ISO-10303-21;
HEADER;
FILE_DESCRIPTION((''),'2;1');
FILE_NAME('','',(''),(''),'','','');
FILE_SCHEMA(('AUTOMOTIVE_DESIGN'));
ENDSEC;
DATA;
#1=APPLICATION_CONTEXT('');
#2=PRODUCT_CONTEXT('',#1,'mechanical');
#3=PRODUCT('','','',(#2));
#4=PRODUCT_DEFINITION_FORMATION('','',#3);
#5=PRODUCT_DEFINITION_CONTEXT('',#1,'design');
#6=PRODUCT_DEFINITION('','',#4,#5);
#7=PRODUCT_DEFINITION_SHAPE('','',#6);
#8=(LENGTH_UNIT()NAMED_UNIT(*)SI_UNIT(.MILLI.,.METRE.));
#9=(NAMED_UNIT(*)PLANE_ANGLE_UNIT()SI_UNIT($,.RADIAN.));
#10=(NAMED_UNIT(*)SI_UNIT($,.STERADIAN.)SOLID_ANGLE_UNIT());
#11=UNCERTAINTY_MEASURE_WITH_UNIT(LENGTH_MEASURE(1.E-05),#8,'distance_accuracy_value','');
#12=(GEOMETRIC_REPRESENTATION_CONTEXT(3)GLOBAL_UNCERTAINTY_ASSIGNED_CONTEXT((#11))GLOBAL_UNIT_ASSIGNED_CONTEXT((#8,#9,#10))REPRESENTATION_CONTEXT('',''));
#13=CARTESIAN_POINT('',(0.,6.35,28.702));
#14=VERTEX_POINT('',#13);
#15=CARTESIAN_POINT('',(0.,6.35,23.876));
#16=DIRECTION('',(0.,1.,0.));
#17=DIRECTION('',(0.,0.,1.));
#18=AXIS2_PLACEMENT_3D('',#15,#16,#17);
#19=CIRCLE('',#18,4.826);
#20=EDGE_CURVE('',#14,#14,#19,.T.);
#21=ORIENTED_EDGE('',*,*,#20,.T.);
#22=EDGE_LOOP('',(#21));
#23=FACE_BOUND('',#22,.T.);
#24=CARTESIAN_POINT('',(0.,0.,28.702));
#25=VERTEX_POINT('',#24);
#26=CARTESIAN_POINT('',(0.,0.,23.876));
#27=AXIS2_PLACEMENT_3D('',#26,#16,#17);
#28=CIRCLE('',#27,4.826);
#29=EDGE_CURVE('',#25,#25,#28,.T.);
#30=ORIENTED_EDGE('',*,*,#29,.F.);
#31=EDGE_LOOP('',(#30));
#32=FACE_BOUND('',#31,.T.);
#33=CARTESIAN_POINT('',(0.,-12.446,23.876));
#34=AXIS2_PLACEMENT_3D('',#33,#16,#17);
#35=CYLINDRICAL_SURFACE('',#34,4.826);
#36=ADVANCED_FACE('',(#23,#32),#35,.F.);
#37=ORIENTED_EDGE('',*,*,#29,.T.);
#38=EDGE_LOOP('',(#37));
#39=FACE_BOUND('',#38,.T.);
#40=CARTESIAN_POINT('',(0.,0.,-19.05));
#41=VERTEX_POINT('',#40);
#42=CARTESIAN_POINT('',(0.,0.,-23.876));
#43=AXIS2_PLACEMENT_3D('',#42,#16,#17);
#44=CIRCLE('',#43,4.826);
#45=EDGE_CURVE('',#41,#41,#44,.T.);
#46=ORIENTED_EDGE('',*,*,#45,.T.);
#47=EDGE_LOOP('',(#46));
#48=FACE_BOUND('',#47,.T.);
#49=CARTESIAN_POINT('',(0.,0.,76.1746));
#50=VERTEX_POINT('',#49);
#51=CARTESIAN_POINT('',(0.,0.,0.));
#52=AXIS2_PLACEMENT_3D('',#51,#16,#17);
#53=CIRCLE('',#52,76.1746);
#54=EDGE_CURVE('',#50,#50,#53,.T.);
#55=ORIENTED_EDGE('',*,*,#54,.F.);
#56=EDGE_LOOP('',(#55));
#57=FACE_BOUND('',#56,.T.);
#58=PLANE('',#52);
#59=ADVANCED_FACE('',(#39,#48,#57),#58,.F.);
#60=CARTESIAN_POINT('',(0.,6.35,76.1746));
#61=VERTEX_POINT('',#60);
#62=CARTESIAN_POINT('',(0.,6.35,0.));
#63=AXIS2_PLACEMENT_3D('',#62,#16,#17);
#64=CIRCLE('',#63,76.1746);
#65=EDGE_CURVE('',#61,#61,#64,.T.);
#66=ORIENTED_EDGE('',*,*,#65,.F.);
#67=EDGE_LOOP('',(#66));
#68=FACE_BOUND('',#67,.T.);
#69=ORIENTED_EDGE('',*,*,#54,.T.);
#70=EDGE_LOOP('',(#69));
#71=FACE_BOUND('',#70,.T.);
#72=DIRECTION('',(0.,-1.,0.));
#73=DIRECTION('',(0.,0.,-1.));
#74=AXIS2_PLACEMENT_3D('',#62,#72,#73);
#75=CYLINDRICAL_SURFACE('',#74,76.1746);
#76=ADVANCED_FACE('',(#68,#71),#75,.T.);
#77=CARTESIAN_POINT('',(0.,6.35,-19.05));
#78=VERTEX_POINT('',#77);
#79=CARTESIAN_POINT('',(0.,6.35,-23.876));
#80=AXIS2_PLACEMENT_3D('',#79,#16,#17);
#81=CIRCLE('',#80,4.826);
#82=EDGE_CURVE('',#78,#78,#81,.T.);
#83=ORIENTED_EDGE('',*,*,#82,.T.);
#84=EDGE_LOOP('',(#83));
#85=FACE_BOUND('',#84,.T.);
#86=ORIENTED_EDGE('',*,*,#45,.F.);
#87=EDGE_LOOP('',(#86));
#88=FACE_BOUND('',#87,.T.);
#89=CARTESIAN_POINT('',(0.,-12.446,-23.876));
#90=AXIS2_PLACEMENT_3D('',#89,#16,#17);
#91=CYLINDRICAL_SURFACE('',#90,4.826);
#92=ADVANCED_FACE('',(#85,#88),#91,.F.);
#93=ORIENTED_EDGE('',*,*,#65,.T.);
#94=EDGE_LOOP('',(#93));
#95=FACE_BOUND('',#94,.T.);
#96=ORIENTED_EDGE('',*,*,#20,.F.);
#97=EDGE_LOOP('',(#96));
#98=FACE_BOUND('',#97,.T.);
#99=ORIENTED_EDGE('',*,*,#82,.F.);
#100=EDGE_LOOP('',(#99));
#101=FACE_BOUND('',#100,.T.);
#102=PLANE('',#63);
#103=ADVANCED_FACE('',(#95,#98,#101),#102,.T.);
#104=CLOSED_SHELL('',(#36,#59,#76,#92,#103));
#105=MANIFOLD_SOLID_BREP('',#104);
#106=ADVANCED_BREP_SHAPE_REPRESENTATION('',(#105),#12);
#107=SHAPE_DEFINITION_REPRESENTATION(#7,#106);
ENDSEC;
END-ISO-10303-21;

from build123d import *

# Parameters (mm, degrees)
SKETCH1_R           = 76.1746
BOSS_EXTRUDE1_DEPTH = 6.35
SKETCH2_R           = 4.826
CUT_EXTRUDE1_DEPTH  = 18.796


with BuildPart() as part:
    # Sketch1 → Boss-Extrude1 (new body)
    with BuildSketch(Plane(origin=(0, 0, 0), x_dir=(1, 0, 0), z_dir=(0, 1, 0))):
        with Locations(Location((0, 0, 0), (0, 0, 270))):
            Circle(SKETCH1_R)
    extrude(amount=BOSS_EXTRUDE1_DEPTH)

    # Sketch2 → Cut-Extrude1 (cut)
    with BuildSketch(Plane(origin=(0, 6.35, 0), x_dir=(1, 0, 0), z_dir=(0, 1, 0))):
        with Locations(Location((0, 23.876, 0), (0, 0, 270))):
            Circle(SKETCH2_R)
        with Locations(Location((0, -23.876, 0), (0, 0, 270))):
            Circle(SKETCH2_R)
    extrude(amount=-CUT_EXTRUDE1_DEPTH, mode=Mode.SUBTRACT)


solid = part.part
